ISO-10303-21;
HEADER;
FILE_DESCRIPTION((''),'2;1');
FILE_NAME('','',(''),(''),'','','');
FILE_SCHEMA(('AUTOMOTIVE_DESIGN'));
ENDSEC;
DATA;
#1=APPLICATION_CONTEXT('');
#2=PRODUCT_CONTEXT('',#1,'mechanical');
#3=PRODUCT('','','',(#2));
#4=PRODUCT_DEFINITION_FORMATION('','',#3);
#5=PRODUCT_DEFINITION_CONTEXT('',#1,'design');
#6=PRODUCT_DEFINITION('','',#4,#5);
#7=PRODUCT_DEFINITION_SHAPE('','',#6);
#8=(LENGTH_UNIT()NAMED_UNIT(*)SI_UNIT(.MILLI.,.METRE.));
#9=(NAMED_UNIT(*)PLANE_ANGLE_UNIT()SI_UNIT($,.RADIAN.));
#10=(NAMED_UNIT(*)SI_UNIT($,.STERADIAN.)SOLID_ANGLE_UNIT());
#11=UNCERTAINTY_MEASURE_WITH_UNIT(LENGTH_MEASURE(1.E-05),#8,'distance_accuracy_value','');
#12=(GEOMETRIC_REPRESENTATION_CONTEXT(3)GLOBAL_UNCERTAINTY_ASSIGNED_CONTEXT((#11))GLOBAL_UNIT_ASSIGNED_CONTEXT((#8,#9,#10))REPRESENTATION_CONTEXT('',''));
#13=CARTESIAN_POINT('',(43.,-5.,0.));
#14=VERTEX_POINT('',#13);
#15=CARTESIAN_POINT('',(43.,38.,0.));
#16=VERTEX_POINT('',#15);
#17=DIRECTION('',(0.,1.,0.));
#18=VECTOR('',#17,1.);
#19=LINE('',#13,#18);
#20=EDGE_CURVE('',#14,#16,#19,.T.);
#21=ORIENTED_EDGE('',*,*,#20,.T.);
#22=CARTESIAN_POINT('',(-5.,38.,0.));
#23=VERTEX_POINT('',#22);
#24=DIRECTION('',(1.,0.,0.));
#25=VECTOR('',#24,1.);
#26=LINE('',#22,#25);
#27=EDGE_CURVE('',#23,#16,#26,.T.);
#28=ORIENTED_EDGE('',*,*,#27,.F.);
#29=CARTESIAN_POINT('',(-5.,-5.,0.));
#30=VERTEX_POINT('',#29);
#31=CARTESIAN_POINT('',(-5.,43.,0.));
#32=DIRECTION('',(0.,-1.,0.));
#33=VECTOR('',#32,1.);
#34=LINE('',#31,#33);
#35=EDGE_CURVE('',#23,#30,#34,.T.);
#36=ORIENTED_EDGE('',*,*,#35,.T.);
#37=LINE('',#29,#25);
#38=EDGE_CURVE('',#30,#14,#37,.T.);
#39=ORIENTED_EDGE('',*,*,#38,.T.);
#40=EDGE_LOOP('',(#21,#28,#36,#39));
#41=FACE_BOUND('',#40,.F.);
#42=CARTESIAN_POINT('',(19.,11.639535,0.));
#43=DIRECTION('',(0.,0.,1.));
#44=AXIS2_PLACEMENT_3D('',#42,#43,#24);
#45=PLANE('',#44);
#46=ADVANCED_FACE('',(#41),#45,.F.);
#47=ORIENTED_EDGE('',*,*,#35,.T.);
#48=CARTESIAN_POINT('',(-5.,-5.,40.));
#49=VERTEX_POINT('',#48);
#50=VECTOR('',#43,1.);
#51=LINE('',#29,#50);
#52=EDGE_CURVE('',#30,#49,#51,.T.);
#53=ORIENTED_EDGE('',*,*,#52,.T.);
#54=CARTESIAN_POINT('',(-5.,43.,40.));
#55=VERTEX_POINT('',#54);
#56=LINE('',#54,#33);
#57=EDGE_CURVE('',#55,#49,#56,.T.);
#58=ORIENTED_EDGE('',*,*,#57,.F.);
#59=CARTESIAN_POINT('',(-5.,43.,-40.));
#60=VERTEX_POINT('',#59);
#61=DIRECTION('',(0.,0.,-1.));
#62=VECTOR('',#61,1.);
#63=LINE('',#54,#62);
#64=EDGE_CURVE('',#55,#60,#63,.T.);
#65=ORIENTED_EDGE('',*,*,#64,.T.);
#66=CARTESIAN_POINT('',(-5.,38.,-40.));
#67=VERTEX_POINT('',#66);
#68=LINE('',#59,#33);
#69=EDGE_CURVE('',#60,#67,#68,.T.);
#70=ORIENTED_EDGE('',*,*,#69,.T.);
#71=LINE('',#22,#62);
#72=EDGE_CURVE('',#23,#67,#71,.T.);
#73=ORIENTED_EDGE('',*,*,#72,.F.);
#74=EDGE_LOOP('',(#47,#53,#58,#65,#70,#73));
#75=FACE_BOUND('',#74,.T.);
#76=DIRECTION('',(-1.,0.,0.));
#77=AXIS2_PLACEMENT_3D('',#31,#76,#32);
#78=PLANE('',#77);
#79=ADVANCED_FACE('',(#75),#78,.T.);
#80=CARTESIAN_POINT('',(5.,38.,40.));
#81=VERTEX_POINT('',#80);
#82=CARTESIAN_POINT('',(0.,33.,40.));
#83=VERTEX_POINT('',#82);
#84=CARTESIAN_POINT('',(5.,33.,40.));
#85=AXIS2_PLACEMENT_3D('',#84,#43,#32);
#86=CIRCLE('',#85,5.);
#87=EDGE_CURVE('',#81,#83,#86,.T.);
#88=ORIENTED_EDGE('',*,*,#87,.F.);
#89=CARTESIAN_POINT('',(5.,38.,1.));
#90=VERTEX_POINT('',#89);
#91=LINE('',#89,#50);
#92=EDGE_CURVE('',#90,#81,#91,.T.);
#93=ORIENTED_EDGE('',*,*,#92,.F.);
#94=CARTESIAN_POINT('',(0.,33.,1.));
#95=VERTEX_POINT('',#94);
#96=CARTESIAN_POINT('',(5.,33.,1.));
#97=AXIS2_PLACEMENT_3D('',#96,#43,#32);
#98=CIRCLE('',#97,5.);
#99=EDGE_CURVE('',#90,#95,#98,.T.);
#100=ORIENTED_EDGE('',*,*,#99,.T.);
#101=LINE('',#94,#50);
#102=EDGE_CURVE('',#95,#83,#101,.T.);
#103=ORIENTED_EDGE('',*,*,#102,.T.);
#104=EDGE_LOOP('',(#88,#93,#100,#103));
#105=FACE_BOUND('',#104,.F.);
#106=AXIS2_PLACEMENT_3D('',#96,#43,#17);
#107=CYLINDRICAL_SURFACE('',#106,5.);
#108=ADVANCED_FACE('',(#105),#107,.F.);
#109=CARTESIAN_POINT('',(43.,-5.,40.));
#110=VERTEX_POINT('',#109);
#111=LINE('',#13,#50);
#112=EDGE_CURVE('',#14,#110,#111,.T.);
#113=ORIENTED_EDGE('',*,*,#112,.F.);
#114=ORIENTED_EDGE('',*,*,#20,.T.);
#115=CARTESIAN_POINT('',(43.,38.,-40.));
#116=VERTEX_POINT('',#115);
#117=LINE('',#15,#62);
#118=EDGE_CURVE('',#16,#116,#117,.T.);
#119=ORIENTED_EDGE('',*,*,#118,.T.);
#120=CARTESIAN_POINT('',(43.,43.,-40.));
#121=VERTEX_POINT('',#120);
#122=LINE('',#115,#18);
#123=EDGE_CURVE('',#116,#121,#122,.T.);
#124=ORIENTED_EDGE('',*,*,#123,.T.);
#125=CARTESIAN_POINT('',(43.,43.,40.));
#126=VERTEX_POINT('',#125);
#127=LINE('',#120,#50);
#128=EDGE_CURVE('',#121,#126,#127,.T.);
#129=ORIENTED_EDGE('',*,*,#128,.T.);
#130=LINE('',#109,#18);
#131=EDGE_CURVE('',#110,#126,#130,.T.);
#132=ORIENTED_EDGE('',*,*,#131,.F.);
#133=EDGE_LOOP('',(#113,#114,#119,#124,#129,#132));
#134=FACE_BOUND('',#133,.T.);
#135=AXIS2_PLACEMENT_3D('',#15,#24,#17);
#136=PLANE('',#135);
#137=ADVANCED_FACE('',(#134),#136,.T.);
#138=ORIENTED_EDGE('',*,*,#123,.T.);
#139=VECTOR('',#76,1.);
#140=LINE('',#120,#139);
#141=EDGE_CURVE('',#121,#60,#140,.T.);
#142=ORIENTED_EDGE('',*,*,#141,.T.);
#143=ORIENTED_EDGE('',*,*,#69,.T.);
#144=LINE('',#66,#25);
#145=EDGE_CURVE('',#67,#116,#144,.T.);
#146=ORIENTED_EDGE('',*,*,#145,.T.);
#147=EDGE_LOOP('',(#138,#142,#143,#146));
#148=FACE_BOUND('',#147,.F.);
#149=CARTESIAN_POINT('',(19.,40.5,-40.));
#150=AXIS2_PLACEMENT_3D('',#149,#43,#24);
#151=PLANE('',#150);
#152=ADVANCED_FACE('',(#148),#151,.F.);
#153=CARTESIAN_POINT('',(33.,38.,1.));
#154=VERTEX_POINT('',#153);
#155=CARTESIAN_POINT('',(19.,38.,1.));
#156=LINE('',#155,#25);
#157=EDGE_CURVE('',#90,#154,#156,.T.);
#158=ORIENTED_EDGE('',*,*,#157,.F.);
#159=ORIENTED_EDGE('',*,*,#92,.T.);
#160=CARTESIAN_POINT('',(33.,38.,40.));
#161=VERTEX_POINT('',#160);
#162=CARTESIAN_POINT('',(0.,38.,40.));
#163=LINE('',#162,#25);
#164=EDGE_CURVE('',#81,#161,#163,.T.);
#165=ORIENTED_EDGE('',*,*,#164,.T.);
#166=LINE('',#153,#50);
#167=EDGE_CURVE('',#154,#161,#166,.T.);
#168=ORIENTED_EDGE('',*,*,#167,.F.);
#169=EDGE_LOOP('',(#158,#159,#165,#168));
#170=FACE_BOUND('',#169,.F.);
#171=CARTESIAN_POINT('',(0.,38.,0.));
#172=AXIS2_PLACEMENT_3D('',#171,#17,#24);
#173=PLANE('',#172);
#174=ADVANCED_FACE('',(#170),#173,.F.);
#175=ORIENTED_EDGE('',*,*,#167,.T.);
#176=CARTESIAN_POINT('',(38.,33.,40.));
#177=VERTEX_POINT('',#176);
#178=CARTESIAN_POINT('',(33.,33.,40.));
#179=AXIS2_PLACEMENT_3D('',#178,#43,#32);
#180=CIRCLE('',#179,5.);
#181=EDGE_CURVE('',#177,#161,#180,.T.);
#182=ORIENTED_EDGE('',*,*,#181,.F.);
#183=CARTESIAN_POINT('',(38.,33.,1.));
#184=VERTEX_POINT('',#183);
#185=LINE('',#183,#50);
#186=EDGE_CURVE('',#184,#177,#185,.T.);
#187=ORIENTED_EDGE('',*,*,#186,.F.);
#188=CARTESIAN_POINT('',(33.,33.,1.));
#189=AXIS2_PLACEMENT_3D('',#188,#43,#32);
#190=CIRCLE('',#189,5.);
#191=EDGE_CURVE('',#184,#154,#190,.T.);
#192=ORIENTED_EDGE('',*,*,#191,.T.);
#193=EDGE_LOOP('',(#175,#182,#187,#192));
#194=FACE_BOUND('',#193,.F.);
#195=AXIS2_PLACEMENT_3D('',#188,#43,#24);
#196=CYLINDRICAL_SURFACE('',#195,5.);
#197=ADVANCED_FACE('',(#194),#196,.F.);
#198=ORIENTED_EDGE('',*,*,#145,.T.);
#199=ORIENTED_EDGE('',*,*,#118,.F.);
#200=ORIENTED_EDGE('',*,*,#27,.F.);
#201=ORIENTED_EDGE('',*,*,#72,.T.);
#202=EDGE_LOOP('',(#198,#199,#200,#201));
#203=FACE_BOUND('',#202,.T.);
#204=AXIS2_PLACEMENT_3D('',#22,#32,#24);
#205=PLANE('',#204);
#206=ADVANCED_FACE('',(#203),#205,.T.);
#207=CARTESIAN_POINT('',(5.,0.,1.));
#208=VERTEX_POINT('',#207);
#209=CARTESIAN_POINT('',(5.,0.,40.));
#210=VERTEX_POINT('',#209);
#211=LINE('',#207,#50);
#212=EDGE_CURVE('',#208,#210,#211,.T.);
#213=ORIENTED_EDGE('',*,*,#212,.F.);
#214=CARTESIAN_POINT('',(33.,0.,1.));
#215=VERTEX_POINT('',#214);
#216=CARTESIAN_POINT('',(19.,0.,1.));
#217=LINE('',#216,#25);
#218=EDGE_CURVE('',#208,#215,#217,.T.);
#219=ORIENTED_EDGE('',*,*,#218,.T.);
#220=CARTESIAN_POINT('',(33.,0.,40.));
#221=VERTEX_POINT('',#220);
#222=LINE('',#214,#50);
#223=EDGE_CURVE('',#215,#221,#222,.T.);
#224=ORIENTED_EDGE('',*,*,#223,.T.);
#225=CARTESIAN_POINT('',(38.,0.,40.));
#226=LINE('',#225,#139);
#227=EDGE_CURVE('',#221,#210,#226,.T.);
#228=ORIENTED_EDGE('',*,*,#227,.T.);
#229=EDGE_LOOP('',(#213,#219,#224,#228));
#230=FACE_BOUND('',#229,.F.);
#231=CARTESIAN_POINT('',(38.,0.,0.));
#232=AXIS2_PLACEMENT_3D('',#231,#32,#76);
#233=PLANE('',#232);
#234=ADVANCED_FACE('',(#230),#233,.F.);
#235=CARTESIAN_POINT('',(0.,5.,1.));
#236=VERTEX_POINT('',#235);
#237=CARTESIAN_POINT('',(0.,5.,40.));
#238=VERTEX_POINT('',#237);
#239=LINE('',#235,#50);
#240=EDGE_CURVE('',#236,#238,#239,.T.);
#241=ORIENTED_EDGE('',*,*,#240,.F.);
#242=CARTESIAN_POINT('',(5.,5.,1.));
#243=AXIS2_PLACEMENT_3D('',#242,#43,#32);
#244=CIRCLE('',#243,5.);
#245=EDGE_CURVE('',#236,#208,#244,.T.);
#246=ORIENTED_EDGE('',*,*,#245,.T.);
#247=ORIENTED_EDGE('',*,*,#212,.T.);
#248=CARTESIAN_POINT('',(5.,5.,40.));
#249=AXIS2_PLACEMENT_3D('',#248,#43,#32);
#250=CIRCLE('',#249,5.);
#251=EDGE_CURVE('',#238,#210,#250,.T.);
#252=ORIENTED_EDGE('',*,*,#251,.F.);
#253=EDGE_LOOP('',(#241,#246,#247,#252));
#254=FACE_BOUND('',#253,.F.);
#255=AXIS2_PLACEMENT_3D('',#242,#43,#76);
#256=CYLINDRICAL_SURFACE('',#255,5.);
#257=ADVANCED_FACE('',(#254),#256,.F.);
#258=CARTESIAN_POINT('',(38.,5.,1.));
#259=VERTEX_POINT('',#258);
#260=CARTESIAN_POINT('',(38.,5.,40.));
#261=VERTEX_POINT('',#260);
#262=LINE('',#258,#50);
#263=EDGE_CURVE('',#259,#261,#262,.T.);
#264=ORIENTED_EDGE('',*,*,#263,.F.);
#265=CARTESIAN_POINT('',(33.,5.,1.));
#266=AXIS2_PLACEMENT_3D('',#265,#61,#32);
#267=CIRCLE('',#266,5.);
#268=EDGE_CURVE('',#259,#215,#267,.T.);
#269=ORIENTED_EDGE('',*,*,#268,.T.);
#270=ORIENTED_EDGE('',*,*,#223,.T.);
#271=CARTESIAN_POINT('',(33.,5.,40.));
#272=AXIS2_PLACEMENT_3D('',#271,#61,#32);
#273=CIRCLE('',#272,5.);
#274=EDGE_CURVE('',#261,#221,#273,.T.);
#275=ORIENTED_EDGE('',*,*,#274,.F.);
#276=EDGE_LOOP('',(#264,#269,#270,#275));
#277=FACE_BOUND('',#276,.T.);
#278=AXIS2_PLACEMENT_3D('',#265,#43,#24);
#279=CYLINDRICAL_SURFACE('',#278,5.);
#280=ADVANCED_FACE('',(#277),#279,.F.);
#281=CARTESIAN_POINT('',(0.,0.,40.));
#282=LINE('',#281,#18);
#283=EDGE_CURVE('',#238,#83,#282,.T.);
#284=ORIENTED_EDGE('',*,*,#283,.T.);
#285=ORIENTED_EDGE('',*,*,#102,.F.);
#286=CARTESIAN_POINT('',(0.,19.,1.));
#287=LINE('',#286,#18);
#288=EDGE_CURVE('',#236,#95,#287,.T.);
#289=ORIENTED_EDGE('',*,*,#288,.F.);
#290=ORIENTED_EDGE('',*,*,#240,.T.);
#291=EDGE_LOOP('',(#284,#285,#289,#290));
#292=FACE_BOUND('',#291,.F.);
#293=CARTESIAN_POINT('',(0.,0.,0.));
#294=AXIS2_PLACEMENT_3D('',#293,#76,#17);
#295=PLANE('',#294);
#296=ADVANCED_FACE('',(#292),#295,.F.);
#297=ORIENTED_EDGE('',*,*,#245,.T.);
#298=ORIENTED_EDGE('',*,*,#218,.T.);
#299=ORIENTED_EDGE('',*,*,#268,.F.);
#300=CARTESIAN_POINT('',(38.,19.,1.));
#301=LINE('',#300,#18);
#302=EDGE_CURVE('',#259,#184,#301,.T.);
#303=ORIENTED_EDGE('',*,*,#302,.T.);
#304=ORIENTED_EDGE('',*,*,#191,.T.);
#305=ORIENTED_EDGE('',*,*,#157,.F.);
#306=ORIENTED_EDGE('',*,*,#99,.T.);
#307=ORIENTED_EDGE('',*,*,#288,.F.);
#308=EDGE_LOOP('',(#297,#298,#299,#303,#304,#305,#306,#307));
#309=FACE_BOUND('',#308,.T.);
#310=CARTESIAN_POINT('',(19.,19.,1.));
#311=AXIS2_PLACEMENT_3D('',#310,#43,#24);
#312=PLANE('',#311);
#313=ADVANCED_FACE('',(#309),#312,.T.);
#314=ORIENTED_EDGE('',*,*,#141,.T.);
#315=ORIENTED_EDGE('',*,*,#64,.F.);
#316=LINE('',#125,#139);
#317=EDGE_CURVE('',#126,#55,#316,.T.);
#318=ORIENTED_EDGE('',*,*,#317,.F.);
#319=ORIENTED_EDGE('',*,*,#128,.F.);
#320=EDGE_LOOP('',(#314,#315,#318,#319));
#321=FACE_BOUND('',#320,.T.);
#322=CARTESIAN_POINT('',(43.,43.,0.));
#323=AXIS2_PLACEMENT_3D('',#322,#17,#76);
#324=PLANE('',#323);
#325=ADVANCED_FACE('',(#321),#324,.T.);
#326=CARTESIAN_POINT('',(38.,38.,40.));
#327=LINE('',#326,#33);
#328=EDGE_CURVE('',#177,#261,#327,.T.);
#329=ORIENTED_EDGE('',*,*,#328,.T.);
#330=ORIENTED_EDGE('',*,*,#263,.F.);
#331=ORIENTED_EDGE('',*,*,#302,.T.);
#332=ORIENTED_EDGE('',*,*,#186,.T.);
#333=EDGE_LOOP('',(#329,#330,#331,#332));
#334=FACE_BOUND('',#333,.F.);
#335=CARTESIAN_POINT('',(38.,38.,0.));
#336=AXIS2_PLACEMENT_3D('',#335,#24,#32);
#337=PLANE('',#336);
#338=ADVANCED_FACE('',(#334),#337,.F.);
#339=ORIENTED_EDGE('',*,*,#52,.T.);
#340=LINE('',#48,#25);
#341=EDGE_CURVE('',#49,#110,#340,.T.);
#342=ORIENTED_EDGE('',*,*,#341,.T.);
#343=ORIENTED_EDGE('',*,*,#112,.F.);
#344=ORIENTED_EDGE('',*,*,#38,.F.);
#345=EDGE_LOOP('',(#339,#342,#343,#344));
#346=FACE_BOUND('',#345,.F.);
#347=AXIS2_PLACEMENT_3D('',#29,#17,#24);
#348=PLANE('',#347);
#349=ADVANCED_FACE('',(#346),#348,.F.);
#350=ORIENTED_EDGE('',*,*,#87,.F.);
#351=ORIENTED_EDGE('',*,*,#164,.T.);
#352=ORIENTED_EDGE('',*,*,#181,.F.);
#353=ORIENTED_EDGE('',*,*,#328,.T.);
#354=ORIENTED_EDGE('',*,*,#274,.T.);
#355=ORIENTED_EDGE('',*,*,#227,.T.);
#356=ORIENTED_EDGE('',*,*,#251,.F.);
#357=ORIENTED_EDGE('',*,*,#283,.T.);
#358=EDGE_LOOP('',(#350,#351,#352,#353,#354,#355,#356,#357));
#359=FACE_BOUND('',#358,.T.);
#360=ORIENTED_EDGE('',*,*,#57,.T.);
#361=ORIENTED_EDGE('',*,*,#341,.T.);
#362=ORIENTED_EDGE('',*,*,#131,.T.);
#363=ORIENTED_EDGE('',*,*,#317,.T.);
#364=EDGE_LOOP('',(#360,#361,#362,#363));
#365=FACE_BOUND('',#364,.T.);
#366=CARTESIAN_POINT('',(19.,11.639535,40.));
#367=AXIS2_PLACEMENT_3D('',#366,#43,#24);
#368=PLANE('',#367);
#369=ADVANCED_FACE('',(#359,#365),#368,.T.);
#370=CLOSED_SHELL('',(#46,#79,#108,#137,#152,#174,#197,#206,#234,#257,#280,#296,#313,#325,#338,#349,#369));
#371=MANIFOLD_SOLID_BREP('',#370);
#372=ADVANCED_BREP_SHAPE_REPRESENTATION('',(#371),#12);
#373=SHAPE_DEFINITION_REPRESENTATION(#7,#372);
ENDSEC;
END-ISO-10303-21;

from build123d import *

# Parameters (mm, degrees)
F0_W     = 38
F0_H     = 38
F1_DEPTH = 1
F2_DEPTH = 40
F3_DEPTH = 40
F4_R     = 5


with BuildPart() as f1:
    # F0 (on Top) → F1 (new body)
    with BuildSketch(Plane.XY):
        with Locations((19, 19)):
            Rectangle(F0_W, F0_H)
    extrude(amount=F1_DEPTH)

    # F0 (on Top) → F2 (join)
    with BuildSketch(Plane.XY):
        Polygon((38, 0), (0, 0), (0, 38), (-5, 38), (-5, -5), (43, -5), (43, 38), (38, 38), align=None)
        Polygon((-5, 38), (0, 38), (38, 38), (43, 38), (43, 43), (-5, 43), align=None)
    extrude(amount=F2_DEPTH)

    # F0 (on Top) → F3 (join)
    with BuildSketch(Plane.XY):
        Polygon((-5, 38), (0, 38), (38, 38), (43, 38), (43, 43), (-5, 43), align=None)
    extrude(amount=-F3_DEPTH)

    # F4
    f4_edges = [f1.edges().sort_by_distance(p)[0] for p in [
        (0, 38, 20.5),
        (38, 38, 20.5),
        (38, 0, 20.5),
        (0, 0, 20.5),
    ]]
    fillet(f4_edges, radius=F4_R)


solid = f1.part
